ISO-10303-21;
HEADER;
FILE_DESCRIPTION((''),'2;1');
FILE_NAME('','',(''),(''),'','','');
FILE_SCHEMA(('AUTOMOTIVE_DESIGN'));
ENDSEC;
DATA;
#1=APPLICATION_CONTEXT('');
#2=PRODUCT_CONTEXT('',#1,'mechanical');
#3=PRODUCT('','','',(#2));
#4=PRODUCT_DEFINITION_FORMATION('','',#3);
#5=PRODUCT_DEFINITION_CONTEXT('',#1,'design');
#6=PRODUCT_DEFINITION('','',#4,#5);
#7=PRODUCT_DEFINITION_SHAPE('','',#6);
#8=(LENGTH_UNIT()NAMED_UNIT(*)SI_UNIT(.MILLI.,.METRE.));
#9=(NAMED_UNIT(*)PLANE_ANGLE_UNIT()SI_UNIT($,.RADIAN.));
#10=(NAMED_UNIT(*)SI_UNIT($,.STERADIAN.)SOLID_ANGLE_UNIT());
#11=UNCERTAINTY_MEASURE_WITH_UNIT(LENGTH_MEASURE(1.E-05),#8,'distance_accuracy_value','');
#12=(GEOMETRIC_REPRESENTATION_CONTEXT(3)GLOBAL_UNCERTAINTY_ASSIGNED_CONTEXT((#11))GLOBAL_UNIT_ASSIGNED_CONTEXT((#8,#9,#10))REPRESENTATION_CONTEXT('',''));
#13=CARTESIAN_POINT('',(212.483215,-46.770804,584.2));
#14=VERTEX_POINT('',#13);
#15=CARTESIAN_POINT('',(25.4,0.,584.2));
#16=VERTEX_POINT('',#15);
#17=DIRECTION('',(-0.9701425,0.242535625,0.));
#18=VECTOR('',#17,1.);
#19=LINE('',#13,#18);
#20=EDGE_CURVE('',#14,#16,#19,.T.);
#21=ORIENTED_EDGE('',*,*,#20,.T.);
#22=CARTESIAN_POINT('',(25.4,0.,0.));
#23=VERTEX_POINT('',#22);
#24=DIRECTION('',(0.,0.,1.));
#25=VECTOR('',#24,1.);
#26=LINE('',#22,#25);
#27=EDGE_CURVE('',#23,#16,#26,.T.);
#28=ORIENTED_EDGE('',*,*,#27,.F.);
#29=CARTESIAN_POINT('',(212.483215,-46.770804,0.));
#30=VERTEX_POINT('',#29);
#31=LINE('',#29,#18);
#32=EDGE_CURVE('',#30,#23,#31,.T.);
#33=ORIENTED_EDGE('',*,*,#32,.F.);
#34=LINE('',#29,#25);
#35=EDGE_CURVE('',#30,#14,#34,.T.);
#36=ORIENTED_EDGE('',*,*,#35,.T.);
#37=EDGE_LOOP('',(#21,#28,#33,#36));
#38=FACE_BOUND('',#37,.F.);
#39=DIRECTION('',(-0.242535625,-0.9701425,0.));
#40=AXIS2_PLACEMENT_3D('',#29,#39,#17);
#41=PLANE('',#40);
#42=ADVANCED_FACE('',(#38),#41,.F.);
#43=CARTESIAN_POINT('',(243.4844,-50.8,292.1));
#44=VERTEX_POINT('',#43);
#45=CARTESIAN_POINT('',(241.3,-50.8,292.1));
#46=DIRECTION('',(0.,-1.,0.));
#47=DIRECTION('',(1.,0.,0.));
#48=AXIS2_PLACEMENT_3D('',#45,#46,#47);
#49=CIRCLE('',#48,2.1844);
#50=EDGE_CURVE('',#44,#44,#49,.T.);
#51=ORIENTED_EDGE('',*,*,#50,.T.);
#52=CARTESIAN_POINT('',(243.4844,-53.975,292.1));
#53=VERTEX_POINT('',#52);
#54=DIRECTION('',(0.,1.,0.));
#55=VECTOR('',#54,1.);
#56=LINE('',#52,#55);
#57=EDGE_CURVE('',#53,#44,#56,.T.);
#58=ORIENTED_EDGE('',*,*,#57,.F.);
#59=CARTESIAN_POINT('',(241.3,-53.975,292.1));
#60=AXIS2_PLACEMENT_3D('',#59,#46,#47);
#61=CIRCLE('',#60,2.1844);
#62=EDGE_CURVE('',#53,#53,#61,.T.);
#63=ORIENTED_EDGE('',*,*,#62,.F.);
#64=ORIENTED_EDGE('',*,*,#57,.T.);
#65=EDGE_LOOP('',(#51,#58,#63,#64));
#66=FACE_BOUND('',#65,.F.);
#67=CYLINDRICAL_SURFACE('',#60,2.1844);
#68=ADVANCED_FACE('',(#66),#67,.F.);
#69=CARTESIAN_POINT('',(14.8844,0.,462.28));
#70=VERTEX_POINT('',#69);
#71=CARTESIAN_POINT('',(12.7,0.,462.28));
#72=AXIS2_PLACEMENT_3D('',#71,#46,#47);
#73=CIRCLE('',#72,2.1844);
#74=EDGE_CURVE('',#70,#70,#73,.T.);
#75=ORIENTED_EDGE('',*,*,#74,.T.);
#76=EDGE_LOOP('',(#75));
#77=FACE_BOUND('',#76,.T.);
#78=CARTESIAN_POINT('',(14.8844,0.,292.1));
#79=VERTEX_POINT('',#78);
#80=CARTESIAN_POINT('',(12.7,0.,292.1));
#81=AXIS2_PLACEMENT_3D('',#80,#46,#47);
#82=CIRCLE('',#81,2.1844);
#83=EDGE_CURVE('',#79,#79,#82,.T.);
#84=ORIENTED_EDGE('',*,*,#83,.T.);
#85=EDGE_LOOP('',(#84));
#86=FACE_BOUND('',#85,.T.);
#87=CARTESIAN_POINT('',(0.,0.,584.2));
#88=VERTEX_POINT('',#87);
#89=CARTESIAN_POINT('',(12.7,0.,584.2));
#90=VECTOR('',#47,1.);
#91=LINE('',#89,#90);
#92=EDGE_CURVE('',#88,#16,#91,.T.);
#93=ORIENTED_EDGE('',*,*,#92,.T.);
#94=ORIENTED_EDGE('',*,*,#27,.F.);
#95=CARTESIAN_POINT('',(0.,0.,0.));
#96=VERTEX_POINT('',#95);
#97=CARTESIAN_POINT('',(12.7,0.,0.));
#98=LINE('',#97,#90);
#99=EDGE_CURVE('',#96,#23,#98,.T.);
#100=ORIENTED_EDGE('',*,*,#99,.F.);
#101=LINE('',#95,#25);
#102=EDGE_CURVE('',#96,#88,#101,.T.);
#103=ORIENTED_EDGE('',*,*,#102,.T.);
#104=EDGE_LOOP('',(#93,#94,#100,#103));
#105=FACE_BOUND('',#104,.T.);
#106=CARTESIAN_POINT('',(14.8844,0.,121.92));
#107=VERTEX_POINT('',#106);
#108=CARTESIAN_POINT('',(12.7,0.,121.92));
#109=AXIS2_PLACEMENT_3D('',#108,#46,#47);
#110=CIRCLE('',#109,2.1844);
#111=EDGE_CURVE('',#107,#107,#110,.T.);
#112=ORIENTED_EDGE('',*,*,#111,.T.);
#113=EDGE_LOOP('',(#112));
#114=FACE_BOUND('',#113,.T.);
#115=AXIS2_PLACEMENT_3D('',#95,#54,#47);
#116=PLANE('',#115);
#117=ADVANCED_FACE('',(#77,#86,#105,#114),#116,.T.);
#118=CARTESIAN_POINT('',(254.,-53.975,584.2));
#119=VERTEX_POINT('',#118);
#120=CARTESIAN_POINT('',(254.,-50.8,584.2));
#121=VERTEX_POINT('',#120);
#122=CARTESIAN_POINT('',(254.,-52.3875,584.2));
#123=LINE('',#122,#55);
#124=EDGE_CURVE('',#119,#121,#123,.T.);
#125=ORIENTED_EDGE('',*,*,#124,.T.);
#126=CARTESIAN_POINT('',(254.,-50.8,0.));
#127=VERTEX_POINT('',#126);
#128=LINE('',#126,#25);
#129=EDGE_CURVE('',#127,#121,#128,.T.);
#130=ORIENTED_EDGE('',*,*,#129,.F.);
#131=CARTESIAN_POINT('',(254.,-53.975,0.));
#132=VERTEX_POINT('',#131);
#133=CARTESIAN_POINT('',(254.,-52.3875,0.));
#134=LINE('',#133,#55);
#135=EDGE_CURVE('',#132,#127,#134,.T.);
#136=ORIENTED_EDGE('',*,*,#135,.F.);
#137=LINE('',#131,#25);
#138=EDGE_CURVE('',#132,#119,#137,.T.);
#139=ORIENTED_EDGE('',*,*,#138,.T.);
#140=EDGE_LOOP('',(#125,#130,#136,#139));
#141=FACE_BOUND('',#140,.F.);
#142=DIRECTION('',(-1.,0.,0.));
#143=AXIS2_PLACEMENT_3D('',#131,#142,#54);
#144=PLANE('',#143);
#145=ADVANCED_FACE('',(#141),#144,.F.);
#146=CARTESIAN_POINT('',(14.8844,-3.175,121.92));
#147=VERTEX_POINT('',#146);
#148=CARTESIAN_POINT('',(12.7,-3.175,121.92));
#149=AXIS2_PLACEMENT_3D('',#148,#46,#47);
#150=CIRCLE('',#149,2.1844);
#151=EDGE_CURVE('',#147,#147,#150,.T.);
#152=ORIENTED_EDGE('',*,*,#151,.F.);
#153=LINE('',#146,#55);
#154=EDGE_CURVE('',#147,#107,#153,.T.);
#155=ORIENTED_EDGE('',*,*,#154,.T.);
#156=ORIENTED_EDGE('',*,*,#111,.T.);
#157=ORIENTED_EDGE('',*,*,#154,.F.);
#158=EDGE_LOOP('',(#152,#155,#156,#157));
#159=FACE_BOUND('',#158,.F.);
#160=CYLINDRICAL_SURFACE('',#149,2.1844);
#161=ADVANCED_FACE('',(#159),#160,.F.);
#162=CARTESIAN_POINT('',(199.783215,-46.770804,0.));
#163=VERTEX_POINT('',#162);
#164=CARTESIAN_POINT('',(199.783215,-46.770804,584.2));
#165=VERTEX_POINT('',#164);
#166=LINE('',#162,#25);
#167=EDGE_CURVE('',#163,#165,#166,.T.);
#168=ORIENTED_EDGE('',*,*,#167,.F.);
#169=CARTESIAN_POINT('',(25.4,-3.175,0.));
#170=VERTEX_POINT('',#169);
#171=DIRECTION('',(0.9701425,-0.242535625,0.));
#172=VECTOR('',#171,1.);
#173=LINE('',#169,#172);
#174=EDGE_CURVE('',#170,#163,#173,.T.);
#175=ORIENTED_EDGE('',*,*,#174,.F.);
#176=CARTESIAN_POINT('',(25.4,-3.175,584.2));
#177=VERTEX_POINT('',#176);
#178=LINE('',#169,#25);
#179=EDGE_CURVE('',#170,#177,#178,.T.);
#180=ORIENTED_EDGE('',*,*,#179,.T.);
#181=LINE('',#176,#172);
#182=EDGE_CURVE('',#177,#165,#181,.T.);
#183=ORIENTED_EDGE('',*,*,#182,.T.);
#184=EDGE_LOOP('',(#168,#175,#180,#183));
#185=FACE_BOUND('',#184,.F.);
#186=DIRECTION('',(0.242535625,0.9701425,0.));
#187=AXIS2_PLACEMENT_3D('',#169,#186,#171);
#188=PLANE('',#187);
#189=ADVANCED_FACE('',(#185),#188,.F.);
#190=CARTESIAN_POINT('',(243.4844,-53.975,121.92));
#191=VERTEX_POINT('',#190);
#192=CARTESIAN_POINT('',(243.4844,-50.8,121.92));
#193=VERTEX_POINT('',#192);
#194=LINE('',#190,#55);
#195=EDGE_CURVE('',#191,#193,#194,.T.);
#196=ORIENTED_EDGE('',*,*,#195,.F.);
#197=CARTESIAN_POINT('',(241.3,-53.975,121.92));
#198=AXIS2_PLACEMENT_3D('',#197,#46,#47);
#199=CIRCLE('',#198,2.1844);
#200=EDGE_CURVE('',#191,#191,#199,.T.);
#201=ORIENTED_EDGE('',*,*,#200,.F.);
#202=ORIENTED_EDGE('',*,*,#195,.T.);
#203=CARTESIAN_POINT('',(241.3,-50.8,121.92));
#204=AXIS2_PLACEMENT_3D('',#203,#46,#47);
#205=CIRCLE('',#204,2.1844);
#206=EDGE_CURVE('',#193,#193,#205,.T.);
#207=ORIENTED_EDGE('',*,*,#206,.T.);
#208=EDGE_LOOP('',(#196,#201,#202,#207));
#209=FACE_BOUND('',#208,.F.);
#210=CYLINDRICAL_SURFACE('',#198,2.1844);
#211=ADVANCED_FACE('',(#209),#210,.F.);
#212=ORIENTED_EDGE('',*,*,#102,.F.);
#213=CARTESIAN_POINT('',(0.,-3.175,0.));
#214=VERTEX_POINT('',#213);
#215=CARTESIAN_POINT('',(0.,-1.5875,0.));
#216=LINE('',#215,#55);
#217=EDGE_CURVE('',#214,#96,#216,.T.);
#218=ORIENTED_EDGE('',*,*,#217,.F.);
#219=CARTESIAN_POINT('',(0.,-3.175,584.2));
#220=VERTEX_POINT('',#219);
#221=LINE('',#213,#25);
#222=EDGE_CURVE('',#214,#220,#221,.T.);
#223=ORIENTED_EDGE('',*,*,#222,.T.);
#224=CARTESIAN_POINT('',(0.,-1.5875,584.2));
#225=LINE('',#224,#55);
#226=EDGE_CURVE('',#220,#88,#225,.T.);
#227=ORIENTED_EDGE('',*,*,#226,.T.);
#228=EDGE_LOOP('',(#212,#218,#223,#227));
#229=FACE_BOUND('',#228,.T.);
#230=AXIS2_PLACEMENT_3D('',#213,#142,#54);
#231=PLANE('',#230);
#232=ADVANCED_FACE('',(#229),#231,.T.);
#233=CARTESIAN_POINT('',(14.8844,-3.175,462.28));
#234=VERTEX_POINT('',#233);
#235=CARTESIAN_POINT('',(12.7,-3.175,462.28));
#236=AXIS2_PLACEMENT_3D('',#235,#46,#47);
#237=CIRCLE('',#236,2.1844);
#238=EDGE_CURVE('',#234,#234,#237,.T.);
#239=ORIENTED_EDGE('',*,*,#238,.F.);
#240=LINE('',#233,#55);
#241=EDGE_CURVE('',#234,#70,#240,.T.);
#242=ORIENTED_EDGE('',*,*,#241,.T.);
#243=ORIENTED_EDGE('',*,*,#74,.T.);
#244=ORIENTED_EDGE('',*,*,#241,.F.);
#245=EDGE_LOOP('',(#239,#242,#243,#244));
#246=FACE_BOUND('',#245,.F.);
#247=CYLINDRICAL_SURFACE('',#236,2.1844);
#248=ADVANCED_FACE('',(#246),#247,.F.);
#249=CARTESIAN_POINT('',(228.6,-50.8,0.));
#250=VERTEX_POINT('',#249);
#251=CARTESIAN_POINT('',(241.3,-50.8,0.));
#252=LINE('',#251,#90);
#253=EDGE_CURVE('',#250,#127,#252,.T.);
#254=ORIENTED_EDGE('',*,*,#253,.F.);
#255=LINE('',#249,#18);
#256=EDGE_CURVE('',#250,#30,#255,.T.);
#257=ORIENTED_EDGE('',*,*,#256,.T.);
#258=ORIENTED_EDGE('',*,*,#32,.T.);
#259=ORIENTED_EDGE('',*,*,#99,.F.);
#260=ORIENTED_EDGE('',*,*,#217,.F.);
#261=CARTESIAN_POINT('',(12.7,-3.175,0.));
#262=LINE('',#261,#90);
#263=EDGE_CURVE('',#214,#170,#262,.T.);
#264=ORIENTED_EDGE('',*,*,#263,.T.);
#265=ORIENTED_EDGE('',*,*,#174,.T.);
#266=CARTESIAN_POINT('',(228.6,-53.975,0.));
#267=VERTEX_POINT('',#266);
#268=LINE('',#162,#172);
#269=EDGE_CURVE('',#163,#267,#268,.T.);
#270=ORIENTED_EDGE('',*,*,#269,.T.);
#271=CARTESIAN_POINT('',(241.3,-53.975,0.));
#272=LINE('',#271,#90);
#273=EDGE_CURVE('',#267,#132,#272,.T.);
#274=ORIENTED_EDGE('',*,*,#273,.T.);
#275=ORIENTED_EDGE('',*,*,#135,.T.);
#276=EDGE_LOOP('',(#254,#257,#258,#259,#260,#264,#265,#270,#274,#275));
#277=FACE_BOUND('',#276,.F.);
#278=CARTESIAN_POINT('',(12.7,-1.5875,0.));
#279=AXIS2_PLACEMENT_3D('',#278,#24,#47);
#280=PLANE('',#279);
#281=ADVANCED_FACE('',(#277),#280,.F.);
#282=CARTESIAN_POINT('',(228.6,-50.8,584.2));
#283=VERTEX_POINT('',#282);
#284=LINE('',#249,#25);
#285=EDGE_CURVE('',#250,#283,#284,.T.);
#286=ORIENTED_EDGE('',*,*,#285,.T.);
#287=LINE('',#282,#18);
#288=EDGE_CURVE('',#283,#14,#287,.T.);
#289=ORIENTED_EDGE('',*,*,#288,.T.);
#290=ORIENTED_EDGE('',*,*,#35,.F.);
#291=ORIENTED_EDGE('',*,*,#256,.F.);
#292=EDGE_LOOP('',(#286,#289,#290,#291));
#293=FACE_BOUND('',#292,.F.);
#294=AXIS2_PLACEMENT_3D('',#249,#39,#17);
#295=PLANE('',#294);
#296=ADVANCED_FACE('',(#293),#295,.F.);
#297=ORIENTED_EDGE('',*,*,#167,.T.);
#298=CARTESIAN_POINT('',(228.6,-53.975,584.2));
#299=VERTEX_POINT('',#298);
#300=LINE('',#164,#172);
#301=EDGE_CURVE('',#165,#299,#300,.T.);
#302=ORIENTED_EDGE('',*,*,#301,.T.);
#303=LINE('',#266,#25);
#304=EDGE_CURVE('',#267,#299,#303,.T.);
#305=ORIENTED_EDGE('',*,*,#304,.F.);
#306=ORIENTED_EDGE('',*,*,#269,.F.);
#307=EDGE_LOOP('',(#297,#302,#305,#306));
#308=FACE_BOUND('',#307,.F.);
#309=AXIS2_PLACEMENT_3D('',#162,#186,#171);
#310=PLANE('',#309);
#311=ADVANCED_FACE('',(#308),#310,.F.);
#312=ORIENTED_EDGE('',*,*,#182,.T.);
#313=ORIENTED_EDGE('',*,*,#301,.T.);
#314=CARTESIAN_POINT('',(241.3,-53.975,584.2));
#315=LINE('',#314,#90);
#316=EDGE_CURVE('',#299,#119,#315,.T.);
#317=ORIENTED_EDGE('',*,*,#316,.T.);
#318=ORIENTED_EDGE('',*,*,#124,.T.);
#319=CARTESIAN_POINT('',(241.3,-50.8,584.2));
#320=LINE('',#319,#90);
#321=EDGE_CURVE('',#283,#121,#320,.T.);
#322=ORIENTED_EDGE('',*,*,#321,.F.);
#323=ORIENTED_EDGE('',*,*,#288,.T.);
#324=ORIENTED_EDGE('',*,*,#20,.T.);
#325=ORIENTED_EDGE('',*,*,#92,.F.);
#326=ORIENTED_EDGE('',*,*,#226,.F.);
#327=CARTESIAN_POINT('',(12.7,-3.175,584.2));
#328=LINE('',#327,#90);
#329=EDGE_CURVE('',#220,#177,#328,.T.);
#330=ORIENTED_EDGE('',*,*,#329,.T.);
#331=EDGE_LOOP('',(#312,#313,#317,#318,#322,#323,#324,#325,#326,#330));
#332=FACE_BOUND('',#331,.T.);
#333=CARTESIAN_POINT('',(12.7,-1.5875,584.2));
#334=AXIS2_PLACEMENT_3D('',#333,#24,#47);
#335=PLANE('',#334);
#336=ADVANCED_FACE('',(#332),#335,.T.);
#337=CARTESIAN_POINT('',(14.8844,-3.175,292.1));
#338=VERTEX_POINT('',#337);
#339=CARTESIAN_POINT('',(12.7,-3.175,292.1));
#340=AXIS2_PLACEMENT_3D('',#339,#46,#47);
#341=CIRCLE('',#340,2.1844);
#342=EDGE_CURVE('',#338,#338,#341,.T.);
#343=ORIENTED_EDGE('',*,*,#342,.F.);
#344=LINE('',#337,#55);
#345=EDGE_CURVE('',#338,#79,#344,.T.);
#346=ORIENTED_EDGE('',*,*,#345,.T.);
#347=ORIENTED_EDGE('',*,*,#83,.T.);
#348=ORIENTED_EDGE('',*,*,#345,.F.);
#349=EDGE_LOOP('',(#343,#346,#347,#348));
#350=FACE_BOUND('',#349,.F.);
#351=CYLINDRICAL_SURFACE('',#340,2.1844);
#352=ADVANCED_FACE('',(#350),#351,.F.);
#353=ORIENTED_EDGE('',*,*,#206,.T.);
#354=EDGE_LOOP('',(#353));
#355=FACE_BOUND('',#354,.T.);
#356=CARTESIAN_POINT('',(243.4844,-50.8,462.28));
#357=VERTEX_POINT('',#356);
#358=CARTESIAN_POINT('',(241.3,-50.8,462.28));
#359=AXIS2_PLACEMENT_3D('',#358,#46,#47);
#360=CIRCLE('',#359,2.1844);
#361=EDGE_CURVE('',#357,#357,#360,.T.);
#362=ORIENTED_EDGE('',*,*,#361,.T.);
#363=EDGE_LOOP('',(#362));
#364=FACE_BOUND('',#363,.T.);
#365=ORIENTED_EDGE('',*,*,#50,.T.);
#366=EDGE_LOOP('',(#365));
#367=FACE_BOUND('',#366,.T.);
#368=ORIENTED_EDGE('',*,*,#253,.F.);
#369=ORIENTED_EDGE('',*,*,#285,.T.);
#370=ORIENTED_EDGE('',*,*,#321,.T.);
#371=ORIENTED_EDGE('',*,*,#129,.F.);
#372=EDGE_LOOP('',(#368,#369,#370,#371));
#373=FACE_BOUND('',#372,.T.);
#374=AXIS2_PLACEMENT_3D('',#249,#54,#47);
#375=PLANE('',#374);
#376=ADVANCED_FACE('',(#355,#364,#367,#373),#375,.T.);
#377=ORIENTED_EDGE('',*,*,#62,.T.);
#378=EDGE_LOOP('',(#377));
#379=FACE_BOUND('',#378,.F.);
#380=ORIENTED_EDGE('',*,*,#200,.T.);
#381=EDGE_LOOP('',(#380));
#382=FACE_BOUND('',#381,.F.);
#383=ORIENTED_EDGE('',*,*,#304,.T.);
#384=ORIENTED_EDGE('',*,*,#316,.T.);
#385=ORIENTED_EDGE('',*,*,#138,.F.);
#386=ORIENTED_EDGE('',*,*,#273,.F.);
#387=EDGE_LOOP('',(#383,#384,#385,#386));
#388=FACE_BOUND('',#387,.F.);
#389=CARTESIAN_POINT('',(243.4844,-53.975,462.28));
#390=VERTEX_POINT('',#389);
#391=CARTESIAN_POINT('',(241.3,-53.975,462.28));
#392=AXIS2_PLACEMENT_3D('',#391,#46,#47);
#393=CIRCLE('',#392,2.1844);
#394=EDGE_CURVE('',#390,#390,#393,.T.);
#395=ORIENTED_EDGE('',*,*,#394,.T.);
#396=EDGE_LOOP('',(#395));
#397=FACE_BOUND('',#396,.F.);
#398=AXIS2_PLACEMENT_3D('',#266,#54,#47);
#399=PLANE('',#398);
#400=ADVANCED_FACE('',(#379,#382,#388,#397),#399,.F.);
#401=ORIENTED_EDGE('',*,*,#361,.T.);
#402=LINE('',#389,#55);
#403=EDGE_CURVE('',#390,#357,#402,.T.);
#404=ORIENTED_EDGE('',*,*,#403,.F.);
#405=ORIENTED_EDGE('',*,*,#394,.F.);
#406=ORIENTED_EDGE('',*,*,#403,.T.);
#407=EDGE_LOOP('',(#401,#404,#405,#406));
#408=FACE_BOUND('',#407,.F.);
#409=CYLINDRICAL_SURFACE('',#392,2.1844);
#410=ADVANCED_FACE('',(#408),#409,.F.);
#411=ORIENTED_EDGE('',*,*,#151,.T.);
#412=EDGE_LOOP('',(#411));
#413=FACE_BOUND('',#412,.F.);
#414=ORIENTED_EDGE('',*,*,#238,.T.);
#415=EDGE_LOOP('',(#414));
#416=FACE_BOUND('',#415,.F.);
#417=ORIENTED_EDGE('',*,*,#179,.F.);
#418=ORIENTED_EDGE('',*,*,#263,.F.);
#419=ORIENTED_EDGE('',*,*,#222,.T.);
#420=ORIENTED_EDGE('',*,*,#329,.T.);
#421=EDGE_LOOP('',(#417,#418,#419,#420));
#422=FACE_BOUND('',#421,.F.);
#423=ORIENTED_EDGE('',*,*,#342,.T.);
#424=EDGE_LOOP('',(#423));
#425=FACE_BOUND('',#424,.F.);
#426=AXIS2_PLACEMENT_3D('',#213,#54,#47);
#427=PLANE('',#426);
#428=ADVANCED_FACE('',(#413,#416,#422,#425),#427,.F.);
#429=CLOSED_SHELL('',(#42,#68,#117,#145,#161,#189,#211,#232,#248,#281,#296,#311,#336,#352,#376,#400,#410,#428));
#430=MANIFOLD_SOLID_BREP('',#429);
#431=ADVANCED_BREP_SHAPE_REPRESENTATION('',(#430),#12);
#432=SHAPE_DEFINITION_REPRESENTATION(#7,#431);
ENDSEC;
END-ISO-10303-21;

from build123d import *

# Parameters (mm, degrees)
F0_W     = 25.4
F0_H     = 3.175
F1_DEPTH = 584.2
F2_R     = 2.1844
F3_DEPTH = 25.4
F4_R     = 2.1844
F5_DEPTH = 25.4


with BuildPart() as f1:
    # F0 (on Top) → F1 (new body)
    with BuildSketch(Plane.XY):
        with Locations((12.7, -1.5875)):
            Rectangle(F0_W, F0_H)
        Polygon((207.4032145214, -45.5008036304), (25.4, 0), (25.4, -3.175), (194.7032145214, -45.5008036304), align=None)
        with Locations((241.3, -52.3875)):
            Rectangle(F0_W, F0_H)
        Polygon((228.6, -50.8), (212.4832145214, -46.7708036304), (199.7832145214, -46.7708036304), (228.6, -53.975), align=None)
        Polygon((212.4832145214, -46.7708036304), (207.4032145214, -45.5008036304), (194.7032145214, -45.5008036304), (199.7832145214, -46.7708036304), align=None)
    extrude(amount=F1_DEPTH)

    # F2 (on face) → F3 (cut)
    with BuildSketch(Plane.XZ.offset(3.175)):
        with Locations((12.7, 121.92)):
            Circle(F2_R)
        with Locations((12.7, 292.1)):
            Circle(F2_R)
        with Locations((12.7, 462.28)):
            Circle(F2_R)
    extrude(amount=-F3_DEPTH, mode=Mode.SUBTRACT)

    # F4 (on face) → F5 (cut)
    with BuildSketch(Plane.XZ.offset(53.975)):
        with Locations((241.3, 292.1)):
            Circle(F4_R)
        with Locations((241.3, 462.28)):
            Circle(F4_R)
        with Locations((241.3, 121.92)):
            Circle(F4_R)
    extrude(amount=-F5_DEPTH, mode=Mode.SUBTRACT)


solid = f1.part
